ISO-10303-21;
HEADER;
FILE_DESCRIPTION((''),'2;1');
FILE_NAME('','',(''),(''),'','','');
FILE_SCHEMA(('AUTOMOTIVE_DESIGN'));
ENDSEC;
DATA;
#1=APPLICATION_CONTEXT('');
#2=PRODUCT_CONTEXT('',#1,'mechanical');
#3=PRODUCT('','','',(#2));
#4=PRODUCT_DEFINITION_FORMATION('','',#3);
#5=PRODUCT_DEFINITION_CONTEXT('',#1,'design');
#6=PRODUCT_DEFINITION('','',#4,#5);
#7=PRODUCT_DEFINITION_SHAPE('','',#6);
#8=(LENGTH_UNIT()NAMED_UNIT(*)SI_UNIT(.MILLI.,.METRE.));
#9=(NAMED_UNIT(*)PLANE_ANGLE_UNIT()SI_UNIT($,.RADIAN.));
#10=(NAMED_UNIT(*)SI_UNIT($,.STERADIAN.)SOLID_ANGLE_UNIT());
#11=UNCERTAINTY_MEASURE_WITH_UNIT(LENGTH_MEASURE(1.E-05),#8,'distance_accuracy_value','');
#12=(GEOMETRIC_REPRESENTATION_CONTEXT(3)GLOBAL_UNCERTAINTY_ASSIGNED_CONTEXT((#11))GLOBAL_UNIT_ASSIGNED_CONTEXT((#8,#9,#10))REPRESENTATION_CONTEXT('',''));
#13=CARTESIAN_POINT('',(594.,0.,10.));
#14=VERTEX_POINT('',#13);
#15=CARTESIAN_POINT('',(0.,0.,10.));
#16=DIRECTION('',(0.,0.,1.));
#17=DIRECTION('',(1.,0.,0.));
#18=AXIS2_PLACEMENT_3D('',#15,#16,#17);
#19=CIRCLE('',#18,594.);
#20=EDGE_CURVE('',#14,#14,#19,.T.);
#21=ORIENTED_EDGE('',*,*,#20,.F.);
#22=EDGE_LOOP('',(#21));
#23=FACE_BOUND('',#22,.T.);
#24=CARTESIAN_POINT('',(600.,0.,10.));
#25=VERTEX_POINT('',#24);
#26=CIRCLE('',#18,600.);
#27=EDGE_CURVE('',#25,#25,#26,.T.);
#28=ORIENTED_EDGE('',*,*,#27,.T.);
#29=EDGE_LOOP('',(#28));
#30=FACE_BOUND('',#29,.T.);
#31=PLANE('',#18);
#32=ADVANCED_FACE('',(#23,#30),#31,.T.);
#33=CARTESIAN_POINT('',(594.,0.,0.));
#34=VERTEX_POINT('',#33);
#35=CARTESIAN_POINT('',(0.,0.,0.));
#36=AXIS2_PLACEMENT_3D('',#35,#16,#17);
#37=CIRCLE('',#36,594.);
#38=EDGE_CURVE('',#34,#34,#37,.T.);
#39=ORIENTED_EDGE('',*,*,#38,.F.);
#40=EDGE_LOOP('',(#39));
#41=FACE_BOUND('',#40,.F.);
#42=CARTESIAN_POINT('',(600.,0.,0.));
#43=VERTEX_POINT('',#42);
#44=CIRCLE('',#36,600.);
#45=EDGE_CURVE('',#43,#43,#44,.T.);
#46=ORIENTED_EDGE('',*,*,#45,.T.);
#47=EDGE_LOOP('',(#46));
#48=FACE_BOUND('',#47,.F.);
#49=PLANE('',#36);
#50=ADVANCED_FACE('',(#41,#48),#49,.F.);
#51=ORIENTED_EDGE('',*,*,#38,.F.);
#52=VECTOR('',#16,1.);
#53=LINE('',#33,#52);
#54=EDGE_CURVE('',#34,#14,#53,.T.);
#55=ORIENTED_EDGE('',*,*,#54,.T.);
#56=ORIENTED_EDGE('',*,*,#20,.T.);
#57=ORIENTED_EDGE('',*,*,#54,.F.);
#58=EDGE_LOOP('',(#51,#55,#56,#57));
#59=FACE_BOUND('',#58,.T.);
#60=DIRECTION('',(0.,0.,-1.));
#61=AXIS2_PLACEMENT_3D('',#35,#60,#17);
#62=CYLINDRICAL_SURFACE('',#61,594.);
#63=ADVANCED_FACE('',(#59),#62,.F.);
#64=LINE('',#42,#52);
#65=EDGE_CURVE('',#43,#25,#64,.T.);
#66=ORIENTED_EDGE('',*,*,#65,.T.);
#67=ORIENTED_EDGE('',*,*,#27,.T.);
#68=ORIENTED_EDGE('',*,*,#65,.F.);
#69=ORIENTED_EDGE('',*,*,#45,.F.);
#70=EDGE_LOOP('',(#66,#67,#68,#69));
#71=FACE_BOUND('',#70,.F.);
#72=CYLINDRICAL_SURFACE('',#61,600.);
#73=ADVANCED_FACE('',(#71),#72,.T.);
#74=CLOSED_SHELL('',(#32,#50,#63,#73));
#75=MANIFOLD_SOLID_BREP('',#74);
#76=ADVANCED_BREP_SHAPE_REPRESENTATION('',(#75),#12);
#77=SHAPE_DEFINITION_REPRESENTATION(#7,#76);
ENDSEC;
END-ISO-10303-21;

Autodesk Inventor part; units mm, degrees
ref_plane "YZ Plane" through (0, 0, 0) normal (1, 0, 0) x (0, 1, 0)
ref_plane "XZ Plane" through (0, 0, 0) normal (0, 1, 0) x (-1, 0, 0)
ref_plane "XY Plane" through (0, 0, 0) normal (0, 0, 1) x (1, 0, 0)
sketch "Sketch1" plane through (0, 0, 0) normal (0, 0, 1) x (1, 0, 0)
  circle A0 centre (0, 0) radius 600
  circle A1 centre (0, 0) radius 594
  dimension "d0" = 1200
  dimension "d1" = 6
extrude "Extrusion1" add sketch "Sketch1" along normal blind 10
sketch "Sketch2" plane through (0, 0, 0) normal (0, 0, 1) x (1, 0, 0)
  circle A0 centre (0, 0) radius 519.1606 construction
  circle A1 centre (0, 0) radius 400.2566 construction
  circle A2 centre (0, 0) radius 253.9947 construction
  circle A3 centre (88.092, -88.092) radius 95
  circle A4 centre (-88.092, -88.092) radius 95
  circle A5 centre (-88.092, 88.092) radius 95
  circle A6 centre (88.092, 88.092) radius 95
  line L0 (88.092, 88.092) -> (-88.092, 88.092)
  line L1 (-88.092, 88.092) -> (-88.092, -88.092)
  line L2 (-88.092, -88.092) -> (88.092, -88.092)
  line L3 (88.092, -88.092) -> (88.092, 88.092)
  line L4 (88.092, 88.092) -> (-88.092, -88.092) construction
  line L5 (-88.092, 88.092) -> (88.092, -88.092) construction
  circle A7 centre (-238.2291, -88.092) radius 95
  circle A8 centre (-390.4422, -88.092) radius 95
  circle A9 centre (-511.6322, -88.092) radius 95
  circle A10 centre (-87.705, -267.7445) radius 95
  circle A11 centre (-162.3325, -405.1177) radius 95
  circle A12 centre (-88.092, -504.0772) radius 95
  circle A13 centre (-260.3738, -267.7445) radius 95
  circle A14 centre (-431.4198, -267.7445) radius 95
  circle A15 centre (-324.6649, -405.1177) radius 95
  circle A16 centre (-238.2291, 88.092) radius 95
  circle A17 centre (-390.4422, 88.092) radius 95
  circle A18 centre (-511.6322, 88.092) radius 95
  circle A19 centre (-1861.1768, 0.0383) radius 542.9574 construction
  circle A20 centre (-1861.1768, 0.0383) radius 405.4794 construction
  circle A21 centre (-1861.1768, 0.0383) radius 269.7641 construction
  circle A22 centre (-1775.4927, -88.092) radius 95
  circle A23 centre (-1951.6767, -81.9043) radius 95
  circle A24 centre (-1951.6767, 88.092) radius 95
  circle A25 centre (-1775.4927, 88.092) radius 95
  circle A26 centre (-2114.3969, -92.9793) radius 95
  circle A27 centre (-2253.4911, -102.4463) radius 95
  circle A28 centre (-2392.469, -111.9053) radius 95
  circle A29 centre (-1965.2761, -233.3106) radius 95
  circle A30 centre (-2023.09, -395.2734) radius 95
  circle A31 centre (-1952.9721, -514.2874) radius 95
  circle A32 centre (-2142.1114, -260.3738) radius 95
  circle A33 centre (-2321.5381, -287.8336) radius 95
  circle A34 centre (-2160.7174, -418.8379) radius 95
  circle A35 centre (-2111.9164, 99.5488) radius 95
  circle A36 centre (-2257.0071, 87.9697) radius 95
  circle A37 centre (-2396.4416, 91.1115) radius 95
  line L6 (-1861.1768, 0.0383) -> (-1861.1768, -542.9191)
  line L7 (-1861.1768, -75.7448) -> (-2392.469, -111.9053)
  line L8 (-1861.1768, -217.379) -> (-2321.5381, -287.8336)
  circle A38 centre (-1861.1768, 0.0383) radius 600
  line L9 (-1861.1768, -367.5508) -> (-2160.7174, -418.8379)
  line L10 (-1952.9721, -514.2874) -> (-1861.1768, -514.2874)
  line L11 (-88.092, -88.092) -> (-511.6322, -88.092)
  line L12 (0, 0) -> (0, -504.0772)
  line L13 (0, -504.0772) -> (-88.092, -504.0772)
  line L14 (0, -405.1177) -> (-324.6649, -405.1177)
  line L15 (0, -267.7445) -> (-431.4198, -267.7445)
  dimension "d4" = 190
  dimension "d5" = 190
  dimension "d6" = 1200
equation "\"BendRadius\" = Thickness"
equation "\"BendReliefWidth\" = Thickness"
equation "\"BendReliefDepth\" = 0.5 * Thickness"
equation "\"CornerReliefSize\" = 4 * Thickness"
equation "\"MinimumRemnant\" = 2 * Thickness"
equation "\"TransitionRadius\" = BendRadius"
equation "\"JacobiRadiusSize\" = BendRadius"
equation "\"GapSize\" = Thickness"
equation "\"Thickness\" = 3.048"
properties part number "PNS 751 DIM filter-distribution-system 1200"
